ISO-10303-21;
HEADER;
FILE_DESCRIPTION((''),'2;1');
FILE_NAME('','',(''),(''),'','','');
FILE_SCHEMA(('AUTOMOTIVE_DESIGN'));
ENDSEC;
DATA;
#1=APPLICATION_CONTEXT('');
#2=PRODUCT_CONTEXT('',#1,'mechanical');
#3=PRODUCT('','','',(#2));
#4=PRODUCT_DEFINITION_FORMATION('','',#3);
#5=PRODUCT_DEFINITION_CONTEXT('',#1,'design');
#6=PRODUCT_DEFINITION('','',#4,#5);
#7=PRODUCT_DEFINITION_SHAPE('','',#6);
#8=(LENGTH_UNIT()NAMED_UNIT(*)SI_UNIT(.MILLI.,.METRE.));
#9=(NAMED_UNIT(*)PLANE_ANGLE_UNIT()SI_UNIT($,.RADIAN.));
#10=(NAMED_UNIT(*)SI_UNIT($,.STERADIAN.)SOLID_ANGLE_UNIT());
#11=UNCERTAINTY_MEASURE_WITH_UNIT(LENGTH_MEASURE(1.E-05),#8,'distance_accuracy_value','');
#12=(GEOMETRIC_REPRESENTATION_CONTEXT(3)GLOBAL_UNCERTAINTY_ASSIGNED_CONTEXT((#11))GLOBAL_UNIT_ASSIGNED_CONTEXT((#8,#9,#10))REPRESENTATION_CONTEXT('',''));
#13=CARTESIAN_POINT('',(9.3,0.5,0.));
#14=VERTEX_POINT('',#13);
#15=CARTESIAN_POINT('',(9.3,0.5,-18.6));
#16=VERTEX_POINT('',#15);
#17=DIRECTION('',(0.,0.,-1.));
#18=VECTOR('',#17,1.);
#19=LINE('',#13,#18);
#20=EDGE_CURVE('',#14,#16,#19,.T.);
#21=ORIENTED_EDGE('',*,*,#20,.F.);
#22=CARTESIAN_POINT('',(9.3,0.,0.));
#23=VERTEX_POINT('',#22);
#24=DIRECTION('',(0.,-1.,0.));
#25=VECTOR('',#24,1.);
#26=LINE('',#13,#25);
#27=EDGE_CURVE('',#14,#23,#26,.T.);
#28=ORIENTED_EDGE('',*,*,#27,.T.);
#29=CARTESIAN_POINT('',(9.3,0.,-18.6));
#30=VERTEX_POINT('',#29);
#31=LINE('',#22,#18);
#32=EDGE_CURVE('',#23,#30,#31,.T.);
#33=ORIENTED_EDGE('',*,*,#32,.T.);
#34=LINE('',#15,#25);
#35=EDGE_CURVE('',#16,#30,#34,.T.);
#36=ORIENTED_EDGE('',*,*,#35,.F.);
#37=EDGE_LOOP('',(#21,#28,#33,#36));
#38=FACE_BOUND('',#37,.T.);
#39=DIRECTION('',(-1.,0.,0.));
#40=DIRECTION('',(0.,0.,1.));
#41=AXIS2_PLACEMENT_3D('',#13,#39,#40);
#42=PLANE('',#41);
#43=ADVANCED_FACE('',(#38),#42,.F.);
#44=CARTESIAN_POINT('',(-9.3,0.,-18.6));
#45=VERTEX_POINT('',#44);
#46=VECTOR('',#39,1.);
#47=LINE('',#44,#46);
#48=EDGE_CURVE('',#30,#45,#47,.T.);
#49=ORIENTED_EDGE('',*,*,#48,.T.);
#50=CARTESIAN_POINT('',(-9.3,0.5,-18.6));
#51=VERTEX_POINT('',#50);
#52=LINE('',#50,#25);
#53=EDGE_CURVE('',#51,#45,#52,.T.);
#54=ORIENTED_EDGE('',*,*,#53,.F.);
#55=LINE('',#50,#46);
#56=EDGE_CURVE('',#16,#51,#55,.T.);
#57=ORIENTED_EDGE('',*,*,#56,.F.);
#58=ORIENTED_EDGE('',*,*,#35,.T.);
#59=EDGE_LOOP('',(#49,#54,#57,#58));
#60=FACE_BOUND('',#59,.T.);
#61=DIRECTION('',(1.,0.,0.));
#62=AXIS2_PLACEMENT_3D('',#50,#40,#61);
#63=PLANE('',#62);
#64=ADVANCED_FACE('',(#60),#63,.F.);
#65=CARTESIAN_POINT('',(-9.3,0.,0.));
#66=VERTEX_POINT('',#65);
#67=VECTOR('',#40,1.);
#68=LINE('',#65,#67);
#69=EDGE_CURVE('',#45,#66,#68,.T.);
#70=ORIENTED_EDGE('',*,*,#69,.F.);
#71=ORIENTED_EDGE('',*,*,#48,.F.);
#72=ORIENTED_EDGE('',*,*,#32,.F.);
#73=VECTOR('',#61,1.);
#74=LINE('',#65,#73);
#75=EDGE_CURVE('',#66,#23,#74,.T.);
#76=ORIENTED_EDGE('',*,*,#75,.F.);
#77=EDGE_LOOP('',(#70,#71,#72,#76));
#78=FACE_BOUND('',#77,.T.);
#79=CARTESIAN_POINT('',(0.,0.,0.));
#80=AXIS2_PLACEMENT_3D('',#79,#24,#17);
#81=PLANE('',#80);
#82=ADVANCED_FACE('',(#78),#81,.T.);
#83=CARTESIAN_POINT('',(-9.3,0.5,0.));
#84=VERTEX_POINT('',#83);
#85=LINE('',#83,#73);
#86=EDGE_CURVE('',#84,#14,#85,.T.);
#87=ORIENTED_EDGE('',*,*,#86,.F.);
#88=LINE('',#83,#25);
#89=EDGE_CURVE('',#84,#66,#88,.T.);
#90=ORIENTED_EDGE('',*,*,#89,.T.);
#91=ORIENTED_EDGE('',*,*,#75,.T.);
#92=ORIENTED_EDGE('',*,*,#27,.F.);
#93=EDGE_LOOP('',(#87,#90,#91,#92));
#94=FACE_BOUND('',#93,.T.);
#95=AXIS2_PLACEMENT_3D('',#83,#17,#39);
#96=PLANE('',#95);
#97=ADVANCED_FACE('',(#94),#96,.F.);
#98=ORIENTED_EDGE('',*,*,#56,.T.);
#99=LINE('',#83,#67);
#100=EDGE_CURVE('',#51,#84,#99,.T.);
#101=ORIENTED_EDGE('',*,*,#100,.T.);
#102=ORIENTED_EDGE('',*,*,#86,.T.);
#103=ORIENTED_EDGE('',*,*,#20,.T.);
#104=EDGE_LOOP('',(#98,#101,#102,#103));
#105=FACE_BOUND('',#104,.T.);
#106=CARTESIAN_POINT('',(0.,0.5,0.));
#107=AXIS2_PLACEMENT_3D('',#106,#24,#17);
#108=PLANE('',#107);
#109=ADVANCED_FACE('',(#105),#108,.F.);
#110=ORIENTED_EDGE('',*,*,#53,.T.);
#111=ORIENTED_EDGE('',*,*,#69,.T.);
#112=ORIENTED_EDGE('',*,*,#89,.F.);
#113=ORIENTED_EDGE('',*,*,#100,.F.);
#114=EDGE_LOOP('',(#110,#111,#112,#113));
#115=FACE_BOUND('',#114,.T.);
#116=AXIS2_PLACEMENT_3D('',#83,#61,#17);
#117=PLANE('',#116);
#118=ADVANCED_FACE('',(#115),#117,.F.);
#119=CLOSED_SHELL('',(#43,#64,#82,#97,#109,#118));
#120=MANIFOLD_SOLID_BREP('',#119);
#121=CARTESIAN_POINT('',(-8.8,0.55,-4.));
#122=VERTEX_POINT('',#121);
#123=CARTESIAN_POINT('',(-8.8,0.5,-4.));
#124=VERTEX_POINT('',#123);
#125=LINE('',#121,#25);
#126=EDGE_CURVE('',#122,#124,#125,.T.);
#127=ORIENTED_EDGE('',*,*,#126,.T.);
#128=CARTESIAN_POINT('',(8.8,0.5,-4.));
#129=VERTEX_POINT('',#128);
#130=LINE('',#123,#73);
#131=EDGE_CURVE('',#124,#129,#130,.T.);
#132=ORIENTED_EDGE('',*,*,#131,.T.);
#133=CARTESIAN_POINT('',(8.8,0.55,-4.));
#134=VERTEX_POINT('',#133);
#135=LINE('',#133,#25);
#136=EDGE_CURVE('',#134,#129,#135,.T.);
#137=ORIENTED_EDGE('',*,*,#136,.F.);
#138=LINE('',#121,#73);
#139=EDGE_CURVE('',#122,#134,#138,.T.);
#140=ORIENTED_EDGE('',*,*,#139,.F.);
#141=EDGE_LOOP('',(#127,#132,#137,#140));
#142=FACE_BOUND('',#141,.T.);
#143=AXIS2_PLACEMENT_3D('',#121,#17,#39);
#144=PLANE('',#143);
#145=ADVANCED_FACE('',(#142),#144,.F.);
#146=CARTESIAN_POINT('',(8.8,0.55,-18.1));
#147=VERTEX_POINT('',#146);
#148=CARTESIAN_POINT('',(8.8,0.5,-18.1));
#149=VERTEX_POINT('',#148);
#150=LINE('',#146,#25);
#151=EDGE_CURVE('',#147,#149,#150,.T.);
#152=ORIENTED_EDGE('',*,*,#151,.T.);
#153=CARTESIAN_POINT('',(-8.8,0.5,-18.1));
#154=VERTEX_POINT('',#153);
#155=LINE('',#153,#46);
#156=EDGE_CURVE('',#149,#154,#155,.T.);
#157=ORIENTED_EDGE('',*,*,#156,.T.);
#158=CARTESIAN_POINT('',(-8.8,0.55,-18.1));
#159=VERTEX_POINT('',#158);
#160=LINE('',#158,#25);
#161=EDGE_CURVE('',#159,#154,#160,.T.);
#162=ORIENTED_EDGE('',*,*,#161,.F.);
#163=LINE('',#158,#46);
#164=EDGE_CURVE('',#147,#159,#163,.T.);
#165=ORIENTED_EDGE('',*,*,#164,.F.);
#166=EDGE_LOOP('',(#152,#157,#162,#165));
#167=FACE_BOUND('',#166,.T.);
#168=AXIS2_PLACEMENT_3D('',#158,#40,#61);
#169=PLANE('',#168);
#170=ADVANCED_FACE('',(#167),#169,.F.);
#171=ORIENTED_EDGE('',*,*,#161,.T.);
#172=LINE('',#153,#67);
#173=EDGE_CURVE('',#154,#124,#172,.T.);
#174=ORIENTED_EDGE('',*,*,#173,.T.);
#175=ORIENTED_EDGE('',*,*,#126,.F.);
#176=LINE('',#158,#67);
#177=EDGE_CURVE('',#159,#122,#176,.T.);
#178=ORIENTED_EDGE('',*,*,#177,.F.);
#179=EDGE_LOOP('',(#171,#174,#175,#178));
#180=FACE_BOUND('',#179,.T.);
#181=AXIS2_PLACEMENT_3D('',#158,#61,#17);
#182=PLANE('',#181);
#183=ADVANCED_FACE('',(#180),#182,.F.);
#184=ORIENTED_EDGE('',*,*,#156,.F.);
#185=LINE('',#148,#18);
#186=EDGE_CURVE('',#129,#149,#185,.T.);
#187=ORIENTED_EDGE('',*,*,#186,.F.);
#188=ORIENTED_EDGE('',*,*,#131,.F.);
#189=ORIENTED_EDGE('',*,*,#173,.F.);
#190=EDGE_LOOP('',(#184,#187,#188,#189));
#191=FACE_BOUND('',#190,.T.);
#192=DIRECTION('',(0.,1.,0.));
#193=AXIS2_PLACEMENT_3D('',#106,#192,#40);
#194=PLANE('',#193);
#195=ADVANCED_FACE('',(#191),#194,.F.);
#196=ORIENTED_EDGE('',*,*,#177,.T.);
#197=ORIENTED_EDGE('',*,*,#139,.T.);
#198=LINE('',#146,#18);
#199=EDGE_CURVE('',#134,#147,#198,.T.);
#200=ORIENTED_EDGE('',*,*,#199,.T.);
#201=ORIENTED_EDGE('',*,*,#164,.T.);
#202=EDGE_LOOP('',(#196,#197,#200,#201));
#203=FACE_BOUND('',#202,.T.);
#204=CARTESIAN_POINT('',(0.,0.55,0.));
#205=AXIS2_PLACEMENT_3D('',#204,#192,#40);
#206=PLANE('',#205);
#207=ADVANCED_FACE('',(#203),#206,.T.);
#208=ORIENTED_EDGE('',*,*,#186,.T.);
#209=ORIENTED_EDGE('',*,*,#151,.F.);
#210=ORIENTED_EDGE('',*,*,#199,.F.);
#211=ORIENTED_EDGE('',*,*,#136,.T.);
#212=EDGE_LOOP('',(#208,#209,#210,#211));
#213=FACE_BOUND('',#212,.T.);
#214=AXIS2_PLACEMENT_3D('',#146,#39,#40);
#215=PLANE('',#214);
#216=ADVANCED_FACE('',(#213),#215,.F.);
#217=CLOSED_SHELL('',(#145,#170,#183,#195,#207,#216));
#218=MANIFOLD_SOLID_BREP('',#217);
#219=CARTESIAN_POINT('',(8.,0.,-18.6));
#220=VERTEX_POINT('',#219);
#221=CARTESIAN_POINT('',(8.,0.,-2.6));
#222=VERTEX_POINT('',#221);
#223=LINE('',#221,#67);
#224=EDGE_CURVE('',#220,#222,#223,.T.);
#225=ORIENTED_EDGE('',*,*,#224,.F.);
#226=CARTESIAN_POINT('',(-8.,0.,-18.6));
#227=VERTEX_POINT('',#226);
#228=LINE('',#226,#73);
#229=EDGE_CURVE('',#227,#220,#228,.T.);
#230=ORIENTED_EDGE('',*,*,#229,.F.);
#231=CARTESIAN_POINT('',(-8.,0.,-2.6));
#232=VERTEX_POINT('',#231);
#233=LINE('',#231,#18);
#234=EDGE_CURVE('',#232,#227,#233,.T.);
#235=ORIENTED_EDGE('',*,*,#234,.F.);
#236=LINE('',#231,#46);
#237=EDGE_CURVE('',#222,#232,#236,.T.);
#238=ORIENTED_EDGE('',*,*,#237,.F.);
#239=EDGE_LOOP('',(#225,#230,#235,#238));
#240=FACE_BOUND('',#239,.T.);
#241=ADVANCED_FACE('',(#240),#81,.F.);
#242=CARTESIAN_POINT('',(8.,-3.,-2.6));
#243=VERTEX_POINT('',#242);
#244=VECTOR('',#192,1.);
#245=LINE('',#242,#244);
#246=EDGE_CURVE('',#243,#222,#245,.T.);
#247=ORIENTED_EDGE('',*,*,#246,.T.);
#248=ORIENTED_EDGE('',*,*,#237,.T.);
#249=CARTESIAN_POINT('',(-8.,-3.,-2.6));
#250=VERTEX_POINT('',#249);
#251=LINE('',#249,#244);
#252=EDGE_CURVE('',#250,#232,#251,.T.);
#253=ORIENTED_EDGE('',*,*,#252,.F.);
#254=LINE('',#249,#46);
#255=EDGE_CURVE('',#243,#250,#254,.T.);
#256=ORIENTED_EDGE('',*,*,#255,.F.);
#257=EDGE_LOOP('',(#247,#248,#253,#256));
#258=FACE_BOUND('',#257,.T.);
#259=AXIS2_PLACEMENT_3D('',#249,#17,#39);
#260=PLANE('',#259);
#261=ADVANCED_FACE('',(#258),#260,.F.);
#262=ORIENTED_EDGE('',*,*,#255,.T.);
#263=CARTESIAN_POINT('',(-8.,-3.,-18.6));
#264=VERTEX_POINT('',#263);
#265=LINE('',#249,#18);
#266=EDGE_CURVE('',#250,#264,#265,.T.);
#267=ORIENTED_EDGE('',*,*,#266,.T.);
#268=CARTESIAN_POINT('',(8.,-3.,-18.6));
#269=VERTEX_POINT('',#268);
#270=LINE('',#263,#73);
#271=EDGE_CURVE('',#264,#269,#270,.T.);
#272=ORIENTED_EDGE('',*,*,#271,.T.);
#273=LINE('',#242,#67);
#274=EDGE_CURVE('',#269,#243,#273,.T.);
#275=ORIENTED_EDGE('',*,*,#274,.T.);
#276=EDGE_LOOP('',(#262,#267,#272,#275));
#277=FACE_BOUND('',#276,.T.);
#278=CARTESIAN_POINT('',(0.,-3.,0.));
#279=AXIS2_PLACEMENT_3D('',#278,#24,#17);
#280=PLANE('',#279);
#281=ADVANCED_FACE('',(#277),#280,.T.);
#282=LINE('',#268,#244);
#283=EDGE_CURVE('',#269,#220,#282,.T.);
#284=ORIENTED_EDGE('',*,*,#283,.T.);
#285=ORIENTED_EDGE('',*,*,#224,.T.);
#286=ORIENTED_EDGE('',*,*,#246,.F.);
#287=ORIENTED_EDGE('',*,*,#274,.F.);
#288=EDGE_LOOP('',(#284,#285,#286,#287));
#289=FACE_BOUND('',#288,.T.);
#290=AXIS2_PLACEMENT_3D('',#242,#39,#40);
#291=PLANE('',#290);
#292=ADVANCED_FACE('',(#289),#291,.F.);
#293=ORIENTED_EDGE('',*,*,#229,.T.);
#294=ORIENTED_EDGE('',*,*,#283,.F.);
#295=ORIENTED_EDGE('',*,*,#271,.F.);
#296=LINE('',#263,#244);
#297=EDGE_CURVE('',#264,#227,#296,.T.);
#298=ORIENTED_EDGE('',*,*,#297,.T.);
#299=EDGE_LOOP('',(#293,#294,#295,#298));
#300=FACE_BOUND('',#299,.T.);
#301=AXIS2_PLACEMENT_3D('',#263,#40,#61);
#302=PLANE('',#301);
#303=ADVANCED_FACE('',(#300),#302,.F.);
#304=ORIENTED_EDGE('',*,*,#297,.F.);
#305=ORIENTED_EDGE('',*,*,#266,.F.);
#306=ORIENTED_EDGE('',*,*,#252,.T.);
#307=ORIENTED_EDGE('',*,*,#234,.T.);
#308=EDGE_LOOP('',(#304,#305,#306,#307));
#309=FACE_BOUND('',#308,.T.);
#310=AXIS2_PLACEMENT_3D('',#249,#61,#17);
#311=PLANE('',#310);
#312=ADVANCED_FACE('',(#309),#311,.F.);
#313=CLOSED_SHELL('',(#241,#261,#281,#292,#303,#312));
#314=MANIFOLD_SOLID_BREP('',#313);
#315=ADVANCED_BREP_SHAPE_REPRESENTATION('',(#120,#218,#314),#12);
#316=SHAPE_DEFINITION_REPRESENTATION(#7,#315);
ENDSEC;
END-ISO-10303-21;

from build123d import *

# Parameters (mm, degrees)
SKETCH1_W         = 18.6
SKETCH1_H         = 18.6
GLASS_DEPTH       = 0.5
SKETCH2_W         = 17.6
SKETCH2_H         = 14.1
DISPLAY_DEPTH     = 0.05
SKETCH3_W         = 16
SKETCH3_H         = 16
STICKY_FOAM_DEPTH = 3


with BuildPart() as part:
    # Sketch1 → glass (new body)
    with BuildSketch(Plane(origin=(0, 0, 0), x_dir=(1, 0, 0), z_dir=(0, 1, 0))):
        with Locations((0, 9.3)):
            Rectangle(SKETCH1_W, SKETCH1_H)
    extrude(amount=GLASS_DEPTH)


with BuildPart() as body_2:
    # Sketch2 → display (new body)
    with BuildSketch(Plane(origin=(0, 0.5, 0), x_dir=(1, 0, 0), z_dir=(0, 1, 0))):
        with Locations((0, 11.05)):
            Rectangle(SKETCH2_W, SKETCH2_H)
    extrude(amount=DISPLAY_DEPTH)


with BuildPart() as body_3:
    # Sketch3 → sticky_foam (new body)
    with BuildSketch(Plane.XZ):
        with Locations((0, -10.6)):
            Rectangle(SKETCH3_W, SKETCH3_H)
    extrude(amount=STICKY_FOAM_DEPTH)


solid = Compound([part.part, body_2.part, body_3.part])
